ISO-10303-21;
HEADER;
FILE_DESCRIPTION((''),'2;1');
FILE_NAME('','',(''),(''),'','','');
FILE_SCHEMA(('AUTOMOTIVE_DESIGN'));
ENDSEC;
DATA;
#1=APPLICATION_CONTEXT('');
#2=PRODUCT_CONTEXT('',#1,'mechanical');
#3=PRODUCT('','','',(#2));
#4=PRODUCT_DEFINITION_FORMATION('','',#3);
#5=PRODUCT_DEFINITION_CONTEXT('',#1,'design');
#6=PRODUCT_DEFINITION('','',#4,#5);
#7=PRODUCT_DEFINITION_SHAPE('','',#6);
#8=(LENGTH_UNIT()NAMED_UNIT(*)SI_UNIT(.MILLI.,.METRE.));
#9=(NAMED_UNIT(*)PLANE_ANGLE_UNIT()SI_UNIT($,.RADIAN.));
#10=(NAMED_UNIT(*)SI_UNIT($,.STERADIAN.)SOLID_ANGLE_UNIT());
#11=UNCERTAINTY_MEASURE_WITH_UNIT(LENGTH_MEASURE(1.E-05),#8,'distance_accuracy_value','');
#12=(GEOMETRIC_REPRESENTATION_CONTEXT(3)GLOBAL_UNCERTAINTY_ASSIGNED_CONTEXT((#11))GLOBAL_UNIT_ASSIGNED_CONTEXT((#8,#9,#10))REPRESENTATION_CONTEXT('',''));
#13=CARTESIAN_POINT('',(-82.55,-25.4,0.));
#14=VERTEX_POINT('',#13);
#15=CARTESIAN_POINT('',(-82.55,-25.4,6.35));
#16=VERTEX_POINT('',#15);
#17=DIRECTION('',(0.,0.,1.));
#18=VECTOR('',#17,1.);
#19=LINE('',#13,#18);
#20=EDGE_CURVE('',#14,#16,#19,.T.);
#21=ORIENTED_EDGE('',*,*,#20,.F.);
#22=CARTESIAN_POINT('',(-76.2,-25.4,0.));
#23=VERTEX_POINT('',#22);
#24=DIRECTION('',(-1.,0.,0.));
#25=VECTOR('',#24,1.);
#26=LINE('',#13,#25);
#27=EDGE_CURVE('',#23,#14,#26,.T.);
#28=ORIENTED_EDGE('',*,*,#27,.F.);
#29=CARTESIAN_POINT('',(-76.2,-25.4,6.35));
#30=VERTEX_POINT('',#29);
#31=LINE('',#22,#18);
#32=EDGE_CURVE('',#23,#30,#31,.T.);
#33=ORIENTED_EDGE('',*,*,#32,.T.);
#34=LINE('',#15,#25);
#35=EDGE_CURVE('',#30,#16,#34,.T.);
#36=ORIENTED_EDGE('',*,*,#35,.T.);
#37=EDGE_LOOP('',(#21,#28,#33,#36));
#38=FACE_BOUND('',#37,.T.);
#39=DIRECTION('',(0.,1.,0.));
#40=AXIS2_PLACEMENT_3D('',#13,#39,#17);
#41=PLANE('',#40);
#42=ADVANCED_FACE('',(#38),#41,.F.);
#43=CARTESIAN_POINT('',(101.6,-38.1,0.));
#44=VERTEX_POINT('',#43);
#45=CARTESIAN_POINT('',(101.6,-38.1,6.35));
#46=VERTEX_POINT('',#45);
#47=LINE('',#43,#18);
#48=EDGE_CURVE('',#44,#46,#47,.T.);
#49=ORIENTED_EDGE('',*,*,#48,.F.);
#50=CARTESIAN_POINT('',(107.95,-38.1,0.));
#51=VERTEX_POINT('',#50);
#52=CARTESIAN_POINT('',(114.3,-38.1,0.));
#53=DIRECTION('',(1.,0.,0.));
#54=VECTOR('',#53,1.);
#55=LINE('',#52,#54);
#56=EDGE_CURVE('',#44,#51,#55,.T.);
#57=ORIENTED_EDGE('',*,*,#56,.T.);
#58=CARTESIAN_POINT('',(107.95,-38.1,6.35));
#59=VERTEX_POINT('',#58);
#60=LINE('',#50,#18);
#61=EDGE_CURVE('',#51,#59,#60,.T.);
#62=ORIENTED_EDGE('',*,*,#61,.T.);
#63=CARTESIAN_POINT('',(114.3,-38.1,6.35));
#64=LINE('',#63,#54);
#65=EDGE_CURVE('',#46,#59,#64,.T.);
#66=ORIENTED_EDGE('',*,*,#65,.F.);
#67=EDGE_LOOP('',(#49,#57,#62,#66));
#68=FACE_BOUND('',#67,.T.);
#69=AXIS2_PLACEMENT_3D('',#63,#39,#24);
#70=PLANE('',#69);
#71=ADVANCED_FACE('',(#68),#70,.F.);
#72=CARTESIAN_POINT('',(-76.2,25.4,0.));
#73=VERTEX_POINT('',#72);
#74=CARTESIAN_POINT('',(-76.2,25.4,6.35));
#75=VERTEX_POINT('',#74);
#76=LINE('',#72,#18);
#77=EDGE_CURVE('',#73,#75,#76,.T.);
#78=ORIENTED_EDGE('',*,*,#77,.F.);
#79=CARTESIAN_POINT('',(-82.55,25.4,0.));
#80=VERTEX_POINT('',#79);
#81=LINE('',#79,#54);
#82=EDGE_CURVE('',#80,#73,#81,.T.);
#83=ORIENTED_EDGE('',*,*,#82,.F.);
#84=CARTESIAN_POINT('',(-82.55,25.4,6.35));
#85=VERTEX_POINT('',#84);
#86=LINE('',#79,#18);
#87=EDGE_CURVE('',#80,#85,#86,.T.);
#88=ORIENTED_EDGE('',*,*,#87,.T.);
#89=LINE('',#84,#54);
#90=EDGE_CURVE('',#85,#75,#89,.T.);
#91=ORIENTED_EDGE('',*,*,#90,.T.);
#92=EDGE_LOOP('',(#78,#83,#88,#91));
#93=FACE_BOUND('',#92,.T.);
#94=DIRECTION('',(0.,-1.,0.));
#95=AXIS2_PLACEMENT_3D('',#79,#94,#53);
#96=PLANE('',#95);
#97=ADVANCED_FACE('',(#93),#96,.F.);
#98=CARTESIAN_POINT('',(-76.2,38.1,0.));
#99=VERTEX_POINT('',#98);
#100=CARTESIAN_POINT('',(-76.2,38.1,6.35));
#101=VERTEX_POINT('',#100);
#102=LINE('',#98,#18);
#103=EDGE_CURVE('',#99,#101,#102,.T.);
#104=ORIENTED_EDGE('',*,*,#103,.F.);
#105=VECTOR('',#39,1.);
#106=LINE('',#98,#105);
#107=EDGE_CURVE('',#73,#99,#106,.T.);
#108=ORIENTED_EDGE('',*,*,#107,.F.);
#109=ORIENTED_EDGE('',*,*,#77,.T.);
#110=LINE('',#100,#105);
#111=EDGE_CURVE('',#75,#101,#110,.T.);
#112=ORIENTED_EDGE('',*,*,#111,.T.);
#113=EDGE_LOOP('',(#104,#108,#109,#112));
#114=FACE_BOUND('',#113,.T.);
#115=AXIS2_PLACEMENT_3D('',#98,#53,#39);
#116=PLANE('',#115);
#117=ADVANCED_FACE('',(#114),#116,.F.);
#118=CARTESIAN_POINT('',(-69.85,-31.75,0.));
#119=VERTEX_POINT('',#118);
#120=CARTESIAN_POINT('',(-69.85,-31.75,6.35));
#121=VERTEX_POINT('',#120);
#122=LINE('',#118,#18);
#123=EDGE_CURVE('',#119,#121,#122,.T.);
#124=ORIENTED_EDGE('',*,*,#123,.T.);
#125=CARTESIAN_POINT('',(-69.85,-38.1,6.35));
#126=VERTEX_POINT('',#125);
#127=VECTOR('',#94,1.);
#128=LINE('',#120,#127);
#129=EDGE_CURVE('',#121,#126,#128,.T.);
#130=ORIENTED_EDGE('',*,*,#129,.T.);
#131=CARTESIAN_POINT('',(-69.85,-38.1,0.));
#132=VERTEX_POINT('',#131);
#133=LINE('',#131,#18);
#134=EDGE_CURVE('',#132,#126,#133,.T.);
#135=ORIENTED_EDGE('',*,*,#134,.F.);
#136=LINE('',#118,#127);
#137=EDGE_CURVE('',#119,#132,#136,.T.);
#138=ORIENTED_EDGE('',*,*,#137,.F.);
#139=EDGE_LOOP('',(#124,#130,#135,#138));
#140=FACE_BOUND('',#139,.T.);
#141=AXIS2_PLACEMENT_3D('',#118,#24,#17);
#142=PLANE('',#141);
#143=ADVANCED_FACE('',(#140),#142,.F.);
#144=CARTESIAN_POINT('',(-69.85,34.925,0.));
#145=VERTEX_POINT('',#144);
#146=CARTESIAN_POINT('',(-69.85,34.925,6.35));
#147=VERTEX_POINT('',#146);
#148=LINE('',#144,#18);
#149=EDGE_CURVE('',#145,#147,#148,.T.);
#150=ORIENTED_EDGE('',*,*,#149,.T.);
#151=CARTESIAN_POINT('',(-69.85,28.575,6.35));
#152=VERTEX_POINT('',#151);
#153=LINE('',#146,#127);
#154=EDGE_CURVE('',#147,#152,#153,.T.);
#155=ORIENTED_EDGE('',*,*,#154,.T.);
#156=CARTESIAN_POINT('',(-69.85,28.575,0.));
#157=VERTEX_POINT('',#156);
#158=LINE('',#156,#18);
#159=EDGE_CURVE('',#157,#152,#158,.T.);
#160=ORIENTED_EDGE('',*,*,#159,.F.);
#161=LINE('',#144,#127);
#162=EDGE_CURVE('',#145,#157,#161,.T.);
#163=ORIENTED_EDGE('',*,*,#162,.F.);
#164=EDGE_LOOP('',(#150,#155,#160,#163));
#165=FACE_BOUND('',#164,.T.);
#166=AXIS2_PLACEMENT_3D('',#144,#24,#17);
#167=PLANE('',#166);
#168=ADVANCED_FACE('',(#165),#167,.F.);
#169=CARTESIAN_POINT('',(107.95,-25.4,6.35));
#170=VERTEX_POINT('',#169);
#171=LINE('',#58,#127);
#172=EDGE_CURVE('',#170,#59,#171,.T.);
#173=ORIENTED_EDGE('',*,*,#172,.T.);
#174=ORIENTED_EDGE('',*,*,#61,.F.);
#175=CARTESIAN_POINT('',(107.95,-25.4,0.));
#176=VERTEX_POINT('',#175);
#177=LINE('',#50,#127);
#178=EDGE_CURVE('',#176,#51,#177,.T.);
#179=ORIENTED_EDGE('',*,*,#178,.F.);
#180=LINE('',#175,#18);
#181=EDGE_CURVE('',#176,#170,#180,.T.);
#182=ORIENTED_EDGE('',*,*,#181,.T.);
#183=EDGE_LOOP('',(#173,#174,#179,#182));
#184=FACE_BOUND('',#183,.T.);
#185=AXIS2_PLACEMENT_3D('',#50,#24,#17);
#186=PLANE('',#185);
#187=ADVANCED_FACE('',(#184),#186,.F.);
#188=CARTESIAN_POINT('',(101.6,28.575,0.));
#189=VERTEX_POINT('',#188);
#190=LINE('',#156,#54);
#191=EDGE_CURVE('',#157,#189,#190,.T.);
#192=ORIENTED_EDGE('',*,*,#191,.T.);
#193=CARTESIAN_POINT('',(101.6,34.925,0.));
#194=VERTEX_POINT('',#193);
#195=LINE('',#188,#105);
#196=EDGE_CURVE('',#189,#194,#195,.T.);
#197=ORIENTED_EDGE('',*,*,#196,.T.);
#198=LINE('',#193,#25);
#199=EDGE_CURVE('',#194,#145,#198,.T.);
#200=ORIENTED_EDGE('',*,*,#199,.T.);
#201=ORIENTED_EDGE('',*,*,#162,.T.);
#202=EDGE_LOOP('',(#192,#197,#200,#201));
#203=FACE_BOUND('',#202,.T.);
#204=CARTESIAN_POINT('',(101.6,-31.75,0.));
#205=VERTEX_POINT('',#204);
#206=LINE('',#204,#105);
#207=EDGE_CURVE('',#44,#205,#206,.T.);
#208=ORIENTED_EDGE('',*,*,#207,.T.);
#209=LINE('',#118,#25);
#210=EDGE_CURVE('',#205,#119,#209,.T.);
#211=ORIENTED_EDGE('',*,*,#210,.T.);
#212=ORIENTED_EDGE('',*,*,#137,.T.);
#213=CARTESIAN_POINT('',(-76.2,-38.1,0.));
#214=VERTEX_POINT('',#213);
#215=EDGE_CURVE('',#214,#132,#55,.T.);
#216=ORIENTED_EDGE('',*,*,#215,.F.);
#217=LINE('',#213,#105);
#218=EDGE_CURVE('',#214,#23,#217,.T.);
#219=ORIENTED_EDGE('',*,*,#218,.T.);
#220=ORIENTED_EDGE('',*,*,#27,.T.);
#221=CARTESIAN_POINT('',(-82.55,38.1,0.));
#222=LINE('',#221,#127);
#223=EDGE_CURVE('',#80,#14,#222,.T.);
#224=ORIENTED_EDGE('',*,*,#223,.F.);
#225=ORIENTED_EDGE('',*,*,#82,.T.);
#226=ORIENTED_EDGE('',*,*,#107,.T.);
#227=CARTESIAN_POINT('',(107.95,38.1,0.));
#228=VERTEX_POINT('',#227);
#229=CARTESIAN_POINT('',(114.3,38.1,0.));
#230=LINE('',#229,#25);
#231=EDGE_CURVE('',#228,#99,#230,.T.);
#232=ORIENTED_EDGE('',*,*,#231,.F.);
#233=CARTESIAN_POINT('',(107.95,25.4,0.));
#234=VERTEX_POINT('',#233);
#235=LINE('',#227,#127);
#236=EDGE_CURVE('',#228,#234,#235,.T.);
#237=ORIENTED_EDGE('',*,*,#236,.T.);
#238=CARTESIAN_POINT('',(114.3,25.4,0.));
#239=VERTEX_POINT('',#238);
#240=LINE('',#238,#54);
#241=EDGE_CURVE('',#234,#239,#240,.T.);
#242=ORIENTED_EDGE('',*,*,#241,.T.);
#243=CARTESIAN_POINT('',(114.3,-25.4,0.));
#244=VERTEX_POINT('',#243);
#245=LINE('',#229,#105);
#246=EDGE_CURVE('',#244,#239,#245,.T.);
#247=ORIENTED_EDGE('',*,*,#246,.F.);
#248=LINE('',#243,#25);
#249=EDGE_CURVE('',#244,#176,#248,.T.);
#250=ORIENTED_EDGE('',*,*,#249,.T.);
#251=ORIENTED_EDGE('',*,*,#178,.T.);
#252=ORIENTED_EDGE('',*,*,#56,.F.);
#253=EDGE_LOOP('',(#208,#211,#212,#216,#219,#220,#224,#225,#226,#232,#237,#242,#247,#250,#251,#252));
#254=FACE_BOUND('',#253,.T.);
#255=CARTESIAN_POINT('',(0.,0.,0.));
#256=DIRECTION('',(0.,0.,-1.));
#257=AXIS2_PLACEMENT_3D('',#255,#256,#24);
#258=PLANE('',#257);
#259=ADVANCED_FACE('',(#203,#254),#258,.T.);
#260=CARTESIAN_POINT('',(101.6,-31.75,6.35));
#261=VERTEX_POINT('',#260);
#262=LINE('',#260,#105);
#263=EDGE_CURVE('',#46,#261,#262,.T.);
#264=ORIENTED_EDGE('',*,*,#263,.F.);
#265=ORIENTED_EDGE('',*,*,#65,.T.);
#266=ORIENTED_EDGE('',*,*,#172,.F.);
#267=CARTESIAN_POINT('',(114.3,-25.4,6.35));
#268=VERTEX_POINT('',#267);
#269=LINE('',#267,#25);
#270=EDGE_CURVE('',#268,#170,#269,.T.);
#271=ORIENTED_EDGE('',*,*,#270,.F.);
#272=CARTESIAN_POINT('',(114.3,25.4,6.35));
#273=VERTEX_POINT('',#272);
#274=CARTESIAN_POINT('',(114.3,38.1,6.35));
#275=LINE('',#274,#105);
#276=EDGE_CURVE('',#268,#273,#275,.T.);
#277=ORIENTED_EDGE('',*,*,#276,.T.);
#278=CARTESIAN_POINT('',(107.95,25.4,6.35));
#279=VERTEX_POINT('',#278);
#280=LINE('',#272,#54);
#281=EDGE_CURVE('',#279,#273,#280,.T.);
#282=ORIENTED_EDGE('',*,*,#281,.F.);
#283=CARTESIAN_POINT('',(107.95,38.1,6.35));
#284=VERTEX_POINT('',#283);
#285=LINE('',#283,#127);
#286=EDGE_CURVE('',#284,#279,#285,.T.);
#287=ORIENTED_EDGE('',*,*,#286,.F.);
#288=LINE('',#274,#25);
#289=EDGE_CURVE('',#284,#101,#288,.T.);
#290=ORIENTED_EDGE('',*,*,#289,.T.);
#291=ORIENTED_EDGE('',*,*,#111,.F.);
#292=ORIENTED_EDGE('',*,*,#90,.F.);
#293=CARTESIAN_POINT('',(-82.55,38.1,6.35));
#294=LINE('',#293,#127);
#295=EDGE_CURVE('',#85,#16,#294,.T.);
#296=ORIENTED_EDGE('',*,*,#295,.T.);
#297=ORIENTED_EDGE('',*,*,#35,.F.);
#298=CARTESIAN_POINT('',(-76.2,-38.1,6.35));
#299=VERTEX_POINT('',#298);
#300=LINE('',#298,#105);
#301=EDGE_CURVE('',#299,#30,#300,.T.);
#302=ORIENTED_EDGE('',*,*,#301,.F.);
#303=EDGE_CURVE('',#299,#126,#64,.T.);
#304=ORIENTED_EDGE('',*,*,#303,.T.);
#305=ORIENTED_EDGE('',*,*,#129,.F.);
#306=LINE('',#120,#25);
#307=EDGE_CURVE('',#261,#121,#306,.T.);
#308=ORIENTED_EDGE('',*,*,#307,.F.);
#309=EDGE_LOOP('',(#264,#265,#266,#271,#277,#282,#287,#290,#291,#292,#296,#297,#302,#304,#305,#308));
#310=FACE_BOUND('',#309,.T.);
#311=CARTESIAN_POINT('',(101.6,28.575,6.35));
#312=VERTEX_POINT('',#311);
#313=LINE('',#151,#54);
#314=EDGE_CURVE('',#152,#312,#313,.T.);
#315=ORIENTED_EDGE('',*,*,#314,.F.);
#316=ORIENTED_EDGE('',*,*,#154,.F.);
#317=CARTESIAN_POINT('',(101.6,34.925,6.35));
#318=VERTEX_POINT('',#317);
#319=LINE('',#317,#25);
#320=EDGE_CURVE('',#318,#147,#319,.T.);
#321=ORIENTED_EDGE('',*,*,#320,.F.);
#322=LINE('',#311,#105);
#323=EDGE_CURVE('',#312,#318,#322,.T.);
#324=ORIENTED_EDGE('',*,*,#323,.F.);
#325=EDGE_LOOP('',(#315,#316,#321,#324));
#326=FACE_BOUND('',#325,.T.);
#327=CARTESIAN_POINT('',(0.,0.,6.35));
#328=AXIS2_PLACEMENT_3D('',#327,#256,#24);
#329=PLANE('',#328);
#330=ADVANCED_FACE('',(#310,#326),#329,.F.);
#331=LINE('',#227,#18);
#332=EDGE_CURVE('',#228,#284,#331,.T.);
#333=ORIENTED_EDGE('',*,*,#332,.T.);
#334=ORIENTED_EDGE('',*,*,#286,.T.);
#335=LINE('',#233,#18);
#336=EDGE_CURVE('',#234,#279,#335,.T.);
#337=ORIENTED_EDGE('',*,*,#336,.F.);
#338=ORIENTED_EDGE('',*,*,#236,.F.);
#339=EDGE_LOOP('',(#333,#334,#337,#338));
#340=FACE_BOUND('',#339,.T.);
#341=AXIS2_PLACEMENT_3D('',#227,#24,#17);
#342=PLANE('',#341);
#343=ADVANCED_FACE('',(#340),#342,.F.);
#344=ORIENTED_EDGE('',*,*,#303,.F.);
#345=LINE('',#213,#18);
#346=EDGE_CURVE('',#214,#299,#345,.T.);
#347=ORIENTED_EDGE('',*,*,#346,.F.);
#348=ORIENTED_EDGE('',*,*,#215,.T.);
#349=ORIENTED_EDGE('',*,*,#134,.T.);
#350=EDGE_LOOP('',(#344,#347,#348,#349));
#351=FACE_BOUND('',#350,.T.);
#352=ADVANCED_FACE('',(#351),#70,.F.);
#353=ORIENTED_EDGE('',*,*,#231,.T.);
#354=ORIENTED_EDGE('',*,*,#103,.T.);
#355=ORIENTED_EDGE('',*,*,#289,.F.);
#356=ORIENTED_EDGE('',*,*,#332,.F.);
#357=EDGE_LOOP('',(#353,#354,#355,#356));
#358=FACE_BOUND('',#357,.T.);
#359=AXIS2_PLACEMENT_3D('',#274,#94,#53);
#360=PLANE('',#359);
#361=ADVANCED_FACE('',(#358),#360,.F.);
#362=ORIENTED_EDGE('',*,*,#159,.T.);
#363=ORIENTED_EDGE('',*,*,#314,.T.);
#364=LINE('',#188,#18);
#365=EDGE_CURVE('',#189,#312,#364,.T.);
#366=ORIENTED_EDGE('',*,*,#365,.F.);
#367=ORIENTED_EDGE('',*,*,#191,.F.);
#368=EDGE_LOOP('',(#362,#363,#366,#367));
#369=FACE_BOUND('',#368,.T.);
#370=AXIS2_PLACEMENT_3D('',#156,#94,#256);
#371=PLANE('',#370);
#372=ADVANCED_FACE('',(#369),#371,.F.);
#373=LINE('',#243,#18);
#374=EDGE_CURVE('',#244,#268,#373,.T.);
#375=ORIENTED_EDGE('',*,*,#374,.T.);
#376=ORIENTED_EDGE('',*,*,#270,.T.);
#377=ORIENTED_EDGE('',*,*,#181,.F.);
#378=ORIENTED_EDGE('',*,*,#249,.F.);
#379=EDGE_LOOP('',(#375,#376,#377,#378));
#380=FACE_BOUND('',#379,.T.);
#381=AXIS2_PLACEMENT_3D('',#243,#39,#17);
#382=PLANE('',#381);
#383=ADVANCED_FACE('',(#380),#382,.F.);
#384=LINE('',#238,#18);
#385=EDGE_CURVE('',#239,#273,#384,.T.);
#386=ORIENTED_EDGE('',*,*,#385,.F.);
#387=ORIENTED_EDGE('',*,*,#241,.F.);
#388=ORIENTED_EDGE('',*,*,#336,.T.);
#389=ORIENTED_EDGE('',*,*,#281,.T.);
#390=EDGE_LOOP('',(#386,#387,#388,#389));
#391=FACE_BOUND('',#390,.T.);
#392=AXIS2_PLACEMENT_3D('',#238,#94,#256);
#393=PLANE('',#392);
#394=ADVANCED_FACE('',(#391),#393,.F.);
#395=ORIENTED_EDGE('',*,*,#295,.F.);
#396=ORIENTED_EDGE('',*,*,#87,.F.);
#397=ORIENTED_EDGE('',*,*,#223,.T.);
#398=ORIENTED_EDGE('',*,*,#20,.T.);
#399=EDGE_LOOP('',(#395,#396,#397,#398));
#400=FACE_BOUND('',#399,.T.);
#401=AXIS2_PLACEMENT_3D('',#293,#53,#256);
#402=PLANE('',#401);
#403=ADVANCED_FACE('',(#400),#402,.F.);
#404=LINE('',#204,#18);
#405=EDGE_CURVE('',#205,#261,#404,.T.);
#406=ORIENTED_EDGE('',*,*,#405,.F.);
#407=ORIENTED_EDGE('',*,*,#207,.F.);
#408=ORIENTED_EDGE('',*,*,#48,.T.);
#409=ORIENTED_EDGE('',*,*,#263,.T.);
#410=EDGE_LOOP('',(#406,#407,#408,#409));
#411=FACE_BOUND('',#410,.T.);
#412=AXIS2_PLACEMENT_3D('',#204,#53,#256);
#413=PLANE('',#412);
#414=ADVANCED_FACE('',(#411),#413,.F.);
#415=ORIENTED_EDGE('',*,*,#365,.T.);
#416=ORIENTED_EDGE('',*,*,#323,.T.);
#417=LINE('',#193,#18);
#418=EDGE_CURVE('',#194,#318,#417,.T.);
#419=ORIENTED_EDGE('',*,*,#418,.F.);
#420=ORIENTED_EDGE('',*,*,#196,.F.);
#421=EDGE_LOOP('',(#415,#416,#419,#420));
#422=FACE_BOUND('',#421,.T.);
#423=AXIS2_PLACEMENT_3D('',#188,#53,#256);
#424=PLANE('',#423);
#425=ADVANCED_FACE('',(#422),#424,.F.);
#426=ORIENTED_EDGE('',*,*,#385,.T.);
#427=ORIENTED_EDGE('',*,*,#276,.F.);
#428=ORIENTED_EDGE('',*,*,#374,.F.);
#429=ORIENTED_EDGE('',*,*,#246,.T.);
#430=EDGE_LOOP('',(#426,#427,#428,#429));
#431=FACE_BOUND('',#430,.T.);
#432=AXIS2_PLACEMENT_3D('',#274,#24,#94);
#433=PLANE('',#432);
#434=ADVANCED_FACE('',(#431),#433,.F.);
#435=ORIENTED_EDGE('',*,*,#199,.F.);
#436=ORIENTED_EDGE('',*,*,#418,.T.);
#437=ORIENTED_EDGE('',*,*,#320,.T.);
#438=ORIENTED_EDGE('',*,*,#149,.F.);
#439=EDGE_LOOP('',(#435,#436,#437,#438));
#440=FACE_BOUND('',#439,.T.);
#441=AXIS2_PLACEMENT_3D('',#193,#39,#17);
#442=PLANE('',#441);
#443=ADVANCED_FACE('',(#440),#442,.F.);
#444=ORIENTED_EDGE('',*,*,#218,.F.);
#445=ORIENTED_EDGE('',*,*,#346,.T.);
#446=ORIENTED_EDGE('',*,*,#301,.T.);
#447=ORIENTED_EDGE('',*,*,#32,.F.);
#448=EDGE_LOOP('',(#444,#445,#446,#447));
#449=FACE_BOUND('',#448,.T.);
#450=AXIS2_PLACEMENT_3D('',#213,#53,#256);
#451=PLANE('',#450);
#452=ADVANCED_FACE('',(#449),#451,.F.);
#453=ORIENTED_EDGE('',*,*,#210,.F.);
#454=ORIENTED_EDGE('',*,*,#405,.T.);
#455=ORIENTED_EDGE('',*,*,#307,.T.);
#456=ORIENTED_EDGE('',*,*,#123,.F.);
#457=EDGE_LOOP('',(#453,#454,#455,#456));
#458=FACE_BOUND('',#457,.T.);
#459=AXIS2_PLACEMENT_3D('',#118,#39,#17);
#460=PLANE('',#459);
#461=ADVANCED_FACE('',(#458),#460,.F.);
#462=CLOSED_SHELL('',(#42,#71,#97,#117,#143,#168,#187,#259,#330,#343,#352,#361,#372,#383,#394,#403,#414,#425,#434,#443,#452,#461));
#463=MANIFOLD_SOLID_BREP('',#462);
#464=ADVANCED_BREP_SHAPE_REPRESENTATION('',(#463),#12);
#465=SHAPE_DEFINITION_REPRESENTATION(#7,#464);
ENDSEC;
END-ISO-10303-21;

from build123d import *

# Parameters (mm, degrees)
SKETCH1_W           = 196.85
SKETCH1_H           = 76.2
BOSS_EXTRUDE1_DEPTH = 6.35
SKETCH2_W           = 6.35
SKETCH2_H           = 12.7
SKETCH2_W_2         = 171.45
SKETCH2_H_2         = 6.35
CUT_EXTRUDE1_DEPTH  = 121.65


with BuildPart() as part:
    # Sketch1 → Boss-Extrude1 (new body)
    with BuildSketch(Plane.XY):
        with Locations((15.875, 0)):
            Rectangle(SKETCH1_W, SKETCH1_H)
    extrude(amount=BOSS_EXTRUDE1_DEPTH)

    # Sketch2 → Cut-Extrude1 (cut, through all)
    with BuildSketch(Plane.XY.offset(6.35)):
        with Locations((-79.375, 31.75)):
            Rectangle(SKETCH2_W, SKETCH2_H)
        with Locations((-79.375, -31.75)):
            Rectangle(SKETCH2_W, SKETCH2_H)
        with Locations((111.125, 31.75)):
            Rectangle(SKETCH2_W, SKETCH2_H)
        with Locations((15.875, 31.75)):
            Rectangle(SKETCH2_W_2, SKETCH2_H_2)
        with Locations((111.125, -31.75)):
            Rectangle(SKETCH2_W, SKETCH2_H)
        with Locations((15.875, -34.925)):
            Rectangle(SKETCH2_W_2, SKETCH2_H_2)
    extrude(amount=-CUT_EXTRUDE1_DEPTH, mode=Mode.SUBTRACT)


solid = part.part
